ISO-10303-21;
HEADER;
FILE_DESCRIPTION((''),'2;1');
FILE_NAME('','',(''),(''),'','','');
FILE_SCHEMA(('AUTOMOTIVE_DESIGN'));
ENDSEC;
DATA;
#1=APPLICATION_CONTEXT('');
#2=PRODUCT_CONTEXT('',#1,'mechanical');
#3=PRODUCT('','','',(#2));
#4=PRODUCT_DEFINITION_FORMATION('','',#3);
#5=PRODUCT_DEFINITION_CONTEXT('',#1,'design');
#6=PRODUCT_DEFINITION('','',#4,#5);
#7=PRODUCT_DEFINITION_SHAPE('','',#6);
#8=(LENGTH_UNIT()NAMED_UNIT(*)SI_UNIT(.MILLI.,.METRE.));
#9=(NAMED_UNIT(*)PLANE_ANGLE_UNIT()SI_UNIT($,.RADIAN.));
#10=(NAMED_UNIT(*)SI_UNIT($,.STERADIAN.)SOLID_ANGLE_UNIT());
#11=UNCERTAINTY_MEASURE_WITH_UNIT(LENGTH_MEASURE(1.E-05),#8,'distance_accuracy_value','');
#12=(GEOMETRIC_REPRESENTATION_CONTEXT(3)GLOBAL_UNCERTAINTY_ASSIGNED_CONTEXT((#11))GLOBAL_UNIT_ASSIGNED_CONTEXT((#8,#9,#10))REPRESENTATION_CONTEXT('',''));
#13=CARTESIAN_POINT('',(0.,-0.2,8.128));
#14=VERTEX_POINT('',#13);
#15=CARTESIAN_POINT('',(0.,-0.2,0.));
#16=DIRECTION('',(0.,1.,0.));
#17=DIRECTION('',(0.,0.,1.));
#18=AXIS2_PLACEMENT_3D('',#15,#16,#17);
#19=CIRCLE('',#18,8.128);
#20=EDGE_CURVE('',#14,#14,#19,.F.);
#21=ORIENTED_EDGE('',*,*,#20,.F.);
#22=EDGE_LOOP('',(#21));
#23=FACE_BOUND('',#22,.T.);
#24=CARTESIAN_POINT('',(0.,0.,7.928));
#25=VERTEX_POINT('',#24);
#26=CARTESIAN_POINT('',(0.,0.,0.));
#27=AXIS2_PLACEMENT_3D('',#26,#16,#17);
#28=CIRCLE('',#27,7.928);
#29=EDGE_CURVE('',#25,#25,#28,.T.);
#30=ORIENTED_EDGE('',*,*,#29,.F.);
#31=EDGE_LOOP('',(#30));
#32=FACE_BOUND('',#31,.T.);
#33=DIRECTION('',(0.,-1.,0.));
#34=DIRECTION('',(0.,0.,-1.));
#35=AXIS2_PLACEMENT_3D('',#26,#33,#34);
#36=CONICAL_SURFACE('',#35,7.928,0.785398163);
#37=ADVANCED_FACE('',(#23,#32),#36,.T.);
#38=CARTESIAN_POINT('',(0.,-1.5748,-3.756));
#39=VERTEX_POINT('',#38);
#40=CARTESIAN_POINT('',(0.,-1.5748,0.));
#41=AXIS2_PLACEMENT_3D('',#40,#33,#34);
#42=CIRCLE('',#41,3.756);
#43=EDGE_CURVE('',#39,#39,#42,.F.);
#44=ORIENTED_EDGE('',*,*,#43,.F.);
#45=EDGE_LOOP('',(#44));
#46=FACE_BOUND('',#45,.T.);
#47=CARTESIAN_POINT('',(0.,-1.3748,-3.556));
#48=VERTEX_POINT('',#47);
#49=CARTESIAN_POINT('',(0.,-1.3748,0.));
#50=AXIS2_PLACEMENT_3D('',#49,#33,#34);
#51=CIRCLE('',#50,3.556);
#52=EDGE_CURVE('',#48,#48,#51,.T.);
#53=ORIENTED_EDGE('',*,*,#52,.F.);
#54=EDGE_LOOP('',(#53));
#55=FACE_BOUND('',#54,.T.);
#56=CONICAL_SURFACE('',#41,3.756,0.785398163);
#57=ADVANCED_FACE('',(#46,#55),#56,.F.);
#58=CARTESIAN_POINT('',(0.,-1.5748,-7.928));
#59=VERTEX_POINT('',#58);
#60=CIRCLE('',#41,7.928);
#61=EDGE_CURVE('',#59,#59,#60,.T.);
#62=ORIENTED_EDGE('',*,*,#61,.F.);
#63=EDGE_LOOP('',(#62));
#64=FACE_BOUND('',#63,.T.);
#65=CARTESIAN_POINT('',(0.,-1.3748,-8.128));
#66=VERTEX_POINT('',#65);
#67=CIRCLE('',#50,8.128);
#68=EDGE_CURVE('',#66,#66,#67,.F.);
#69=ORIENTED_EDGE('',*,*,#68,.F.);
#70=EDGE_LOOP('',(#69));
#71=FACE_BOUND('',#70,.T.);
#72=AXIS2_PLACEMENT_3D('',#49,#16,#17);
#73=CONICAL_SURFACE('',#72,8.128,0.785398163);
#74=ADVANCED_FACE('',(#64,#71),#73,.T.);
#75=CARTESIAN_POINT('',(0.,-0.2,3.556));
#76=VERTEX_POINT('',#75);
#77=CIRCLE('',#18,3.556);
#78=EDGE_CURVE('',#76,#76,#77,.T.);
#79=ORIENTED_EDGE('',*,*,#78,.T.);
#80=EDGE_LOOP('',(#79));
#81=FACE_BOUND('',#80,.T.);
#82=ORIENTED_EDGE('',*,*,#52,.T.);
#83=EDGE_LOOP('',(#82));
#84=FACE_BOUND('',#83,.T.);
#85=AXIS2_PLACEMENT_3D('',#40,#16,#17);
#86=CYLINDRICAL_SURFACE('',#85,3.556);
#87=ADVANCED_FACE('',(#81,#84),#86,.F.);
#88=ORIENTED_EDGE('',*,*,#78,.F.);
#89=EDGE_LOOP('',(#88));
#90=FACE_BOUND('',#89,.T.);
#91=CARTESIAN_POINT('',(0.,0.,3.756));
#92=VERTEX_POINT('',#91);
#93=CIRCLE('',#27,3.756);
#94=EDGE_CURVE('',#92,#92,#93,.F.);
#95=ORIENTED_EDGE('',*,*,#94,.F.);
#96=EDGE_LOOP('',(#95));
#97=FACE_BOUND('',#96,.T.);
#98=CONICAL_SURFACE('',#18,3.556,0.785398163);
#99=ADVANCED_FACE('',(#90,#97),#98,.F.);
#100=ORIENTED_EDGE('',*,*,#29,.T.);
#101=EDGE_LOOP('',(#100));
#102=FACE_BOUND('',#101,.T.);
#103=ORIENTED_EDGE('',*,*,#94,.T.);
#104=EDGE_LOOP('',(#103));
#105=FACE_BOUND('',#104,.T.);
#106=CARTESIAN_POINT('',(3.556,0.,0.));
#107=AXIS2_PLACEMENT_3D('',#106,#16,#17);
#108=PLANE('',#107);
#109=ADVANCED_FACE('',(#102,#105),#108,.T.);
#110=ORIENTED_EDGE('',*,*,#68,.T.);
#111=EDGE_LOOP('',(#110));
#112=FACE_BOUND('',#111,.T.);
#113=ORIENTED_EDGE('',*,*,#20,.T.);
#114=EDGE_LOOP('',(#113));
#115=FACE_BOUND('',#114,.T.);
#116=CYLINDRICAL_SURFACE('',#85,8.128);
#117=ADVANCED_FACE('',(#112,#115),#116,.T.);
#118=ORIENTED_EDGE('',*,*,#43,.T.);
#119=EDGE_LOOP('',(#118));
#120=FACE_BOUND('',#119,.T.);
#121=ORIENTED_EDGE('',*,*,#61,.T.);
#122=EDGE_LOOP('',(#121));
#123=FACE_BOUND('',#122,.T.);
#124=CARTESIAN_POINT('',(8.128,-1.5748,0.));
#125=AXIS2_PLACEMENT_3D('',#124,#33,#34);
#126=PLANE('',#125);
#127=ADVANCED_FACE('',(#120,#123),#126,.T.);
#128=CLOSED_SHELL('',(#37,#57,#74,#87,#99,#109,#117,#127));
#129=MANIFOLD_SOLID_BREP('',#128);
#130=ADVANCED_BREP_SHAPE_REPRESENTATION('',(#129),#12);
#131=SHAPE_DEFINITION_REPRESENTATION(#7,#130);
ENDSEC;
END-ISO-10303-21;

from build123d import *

# Parameters (mm, degrees)
SKETCH1_W     = 4.572
SKETCH1_H     = 1.5748
CHAMFER1_SIZE = 0.2


with BuildPart() as part:
    # Sketch1 → Revolve1 (revolve)
    with BuildSketch(Plane(origin=(0, 0, 0), x_dir=(-1, 0, 0), z_dir=(0, 0, -1)), mode=Mode.PRIVATE) as revolve1_sk:
        with Locations((-5.842, -0.7874)):
            Rectangle(SKETCH1_W, SKETCH1_H)
    revolve(revolve1_sk.sketch.rotate(Axis((0, -1.5748, 0), (0, 1, 0)), 270), axis=Axis((0, -1.5748, 0), (0, 1, 0)))

    # Chamfer1
    chamfer1_edges = [part.edges().sort_by_distance(p)[0] for p in [
        (0, 0, -3.556),
        (0, -1.5748, -3.556),
        (0, -1.5748, -8.128),
        (0, 0, -8.128),
    ]]
    chamfer(chamfer1_edges, length=CHAMFER1_SIZE)


solid = part.part
